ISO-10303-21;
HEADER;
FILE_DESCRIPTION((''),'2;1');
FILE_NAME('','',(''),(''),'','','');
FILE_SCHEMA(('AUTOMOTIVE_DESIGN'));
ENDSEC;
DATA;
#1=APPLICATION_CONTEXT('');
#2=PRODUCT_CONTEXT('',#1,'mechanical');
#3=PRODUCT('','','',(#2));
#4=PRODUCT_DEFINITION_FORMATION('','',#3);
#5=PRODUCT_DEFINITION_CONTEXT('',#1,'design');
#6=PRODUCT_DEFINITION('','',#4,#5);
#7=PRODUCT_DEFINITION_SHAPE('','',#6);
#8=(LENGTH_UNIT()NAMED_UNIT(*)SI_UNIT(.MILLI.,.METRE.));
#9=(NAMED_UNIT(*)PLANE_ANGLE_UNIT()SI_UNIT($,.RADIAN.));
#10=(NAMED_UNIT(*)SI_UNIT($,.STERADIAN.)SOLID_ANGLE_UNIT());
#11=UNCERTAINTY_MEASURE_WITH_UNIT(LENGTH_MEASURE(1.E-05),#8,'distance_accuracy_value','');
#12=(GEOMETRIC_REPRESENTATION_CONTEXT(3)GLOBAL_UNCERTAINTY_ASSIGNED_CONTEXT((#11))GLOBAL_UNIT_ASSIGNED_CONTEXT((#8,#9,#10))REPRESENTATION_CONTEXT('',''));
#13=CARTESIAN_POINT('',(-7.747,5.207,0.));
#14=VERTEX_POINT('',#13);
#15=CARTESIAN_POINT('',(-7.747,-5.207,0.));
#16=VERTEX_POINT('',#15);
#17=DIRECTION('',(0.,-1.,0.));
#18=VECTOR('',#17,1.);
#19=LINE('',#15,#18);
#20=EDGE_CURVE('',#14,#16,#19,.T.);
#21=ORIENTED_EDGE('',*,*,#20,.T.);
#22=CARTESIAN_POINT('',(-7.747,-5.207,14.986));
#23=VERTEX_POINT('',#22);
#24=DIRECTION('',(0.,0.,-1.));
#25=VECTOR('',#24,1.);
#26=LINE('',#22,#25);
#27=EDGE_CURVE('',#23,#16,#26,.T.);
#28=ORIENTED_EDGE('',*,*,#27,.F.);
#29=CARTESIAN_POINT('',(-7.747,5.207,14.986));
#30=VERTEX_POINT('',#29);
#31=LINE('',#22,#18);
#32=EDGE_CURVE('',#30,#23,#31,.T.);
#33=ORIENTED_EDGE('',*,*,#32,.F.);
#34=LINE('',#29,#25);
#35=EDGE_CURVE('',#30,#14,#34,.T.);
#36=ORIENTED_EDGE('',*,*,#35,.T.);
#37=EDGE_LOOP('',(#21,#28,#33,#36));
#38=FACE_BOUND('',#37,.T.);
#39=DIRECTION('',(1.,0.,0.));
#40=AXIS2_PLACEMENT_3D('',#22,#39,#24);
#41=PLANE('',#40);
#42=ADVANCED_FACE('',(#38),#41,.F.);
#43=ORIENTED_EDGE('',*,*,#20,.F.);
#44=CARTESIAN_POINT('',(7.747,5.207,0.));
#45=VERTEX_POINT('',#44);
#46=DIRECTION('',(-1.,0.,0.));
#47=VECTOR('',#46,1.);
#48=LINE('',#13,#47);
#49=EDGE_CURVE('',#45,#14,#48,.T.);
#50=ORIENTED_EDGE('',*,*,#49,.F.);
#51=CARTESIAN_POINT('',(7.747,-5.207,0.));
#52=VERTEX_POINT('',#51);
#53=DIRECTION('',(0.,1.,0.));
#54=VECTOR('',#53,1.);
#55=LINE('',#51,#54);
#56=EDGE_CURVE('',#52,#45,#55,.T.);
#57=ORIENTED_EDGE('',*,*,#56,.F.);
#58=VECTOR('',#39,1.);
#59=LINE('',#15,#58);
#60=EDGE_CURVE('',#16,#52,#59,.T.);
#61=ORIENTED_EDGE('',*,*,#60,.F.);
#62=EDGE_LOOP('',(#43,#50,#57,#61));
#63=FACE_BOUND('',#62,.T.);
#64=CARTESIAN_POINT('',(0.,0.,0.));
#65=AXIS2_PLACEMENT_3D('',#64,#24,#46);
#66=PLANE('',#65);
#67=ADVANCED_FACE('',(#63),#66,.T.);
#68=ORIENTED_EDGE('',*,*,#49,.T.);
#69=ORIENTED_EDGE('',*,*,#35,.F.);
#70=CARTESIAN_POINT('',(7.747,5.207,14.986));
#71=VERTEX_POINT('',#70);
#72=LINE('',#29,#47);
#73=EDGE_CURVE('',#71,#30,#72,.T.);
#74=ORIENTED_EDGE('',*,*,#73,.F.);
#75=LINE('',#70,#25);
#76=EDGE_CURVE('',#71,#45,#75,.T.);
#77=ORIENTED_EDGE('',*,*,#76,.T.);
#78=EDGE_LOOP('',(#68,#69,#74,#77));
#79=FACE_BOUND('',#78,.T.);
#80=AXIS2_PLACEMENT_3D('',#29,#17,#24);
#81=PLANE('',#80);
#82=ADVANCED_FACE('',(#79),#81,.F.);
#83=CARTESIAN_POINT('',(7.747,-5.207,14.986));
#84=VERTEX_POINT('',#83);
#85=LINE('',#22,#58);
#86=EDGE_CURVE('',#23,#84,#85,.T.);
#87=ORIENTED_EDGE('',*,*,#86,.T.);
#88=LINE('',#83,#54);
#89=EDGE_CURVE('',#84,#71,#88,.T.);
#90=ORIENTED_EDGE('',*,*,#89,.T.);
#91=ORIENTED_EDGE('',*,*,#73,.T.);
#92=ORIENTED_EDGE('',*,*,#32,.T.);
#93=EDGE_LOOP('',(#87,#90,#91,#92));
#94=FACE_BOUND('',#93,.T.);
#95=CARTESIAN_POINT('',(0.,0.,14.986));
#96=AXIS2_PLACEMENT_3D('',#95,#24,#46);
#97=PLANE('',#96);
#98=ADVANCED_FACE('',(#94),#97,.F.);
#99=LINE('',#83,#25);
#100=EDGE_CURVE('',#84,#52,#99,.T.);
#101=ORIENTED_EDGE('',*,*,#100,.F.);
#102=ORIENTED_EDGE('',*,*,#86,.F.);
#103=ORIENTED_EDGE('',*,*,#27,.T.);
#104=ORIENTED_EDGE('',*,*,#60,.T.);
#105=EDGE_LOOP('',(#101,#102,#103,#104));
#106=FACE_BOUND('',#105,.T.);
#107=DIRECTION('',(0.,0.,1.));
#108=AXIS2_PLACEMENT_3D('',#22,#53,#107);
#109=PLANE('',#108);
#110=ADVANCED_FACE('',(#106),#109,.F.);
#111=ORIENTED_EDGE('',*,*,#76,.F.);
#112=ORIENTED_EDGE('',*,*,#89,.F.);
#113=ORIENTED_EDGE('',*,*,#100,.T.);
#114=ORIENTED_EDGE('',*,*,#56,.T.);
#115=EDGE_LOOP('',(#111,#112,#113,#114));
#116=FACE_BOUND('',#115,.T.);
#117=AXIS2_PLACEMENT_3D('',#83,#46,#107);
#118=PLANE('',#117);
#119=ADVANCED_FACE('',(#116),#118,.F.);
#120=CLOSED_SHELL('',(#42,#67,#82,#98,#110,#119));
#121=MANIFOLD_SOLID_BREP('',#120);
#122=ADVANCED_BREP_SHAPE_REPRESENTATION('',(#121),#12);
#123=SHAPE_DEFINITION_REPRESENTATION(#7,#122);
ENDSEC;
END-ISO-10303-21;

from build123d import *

# Parameters (mm, degrees)
SKETCH1_W           = 15.494
SKETCH1_H           = 10.414
BOSS_EXTRUDE1_DEPTH = 14.986


with BuildPart() as part:
    # Sketch1 → Boss-Extrude1 (new body)
    with BuildSketch(Plane.XY):
        Rectangle(SKETCH1_W, SKETCH1_H)
    extrude(amount=BOSS_EXTRUDE1_DEPTH)


solid = part.part
